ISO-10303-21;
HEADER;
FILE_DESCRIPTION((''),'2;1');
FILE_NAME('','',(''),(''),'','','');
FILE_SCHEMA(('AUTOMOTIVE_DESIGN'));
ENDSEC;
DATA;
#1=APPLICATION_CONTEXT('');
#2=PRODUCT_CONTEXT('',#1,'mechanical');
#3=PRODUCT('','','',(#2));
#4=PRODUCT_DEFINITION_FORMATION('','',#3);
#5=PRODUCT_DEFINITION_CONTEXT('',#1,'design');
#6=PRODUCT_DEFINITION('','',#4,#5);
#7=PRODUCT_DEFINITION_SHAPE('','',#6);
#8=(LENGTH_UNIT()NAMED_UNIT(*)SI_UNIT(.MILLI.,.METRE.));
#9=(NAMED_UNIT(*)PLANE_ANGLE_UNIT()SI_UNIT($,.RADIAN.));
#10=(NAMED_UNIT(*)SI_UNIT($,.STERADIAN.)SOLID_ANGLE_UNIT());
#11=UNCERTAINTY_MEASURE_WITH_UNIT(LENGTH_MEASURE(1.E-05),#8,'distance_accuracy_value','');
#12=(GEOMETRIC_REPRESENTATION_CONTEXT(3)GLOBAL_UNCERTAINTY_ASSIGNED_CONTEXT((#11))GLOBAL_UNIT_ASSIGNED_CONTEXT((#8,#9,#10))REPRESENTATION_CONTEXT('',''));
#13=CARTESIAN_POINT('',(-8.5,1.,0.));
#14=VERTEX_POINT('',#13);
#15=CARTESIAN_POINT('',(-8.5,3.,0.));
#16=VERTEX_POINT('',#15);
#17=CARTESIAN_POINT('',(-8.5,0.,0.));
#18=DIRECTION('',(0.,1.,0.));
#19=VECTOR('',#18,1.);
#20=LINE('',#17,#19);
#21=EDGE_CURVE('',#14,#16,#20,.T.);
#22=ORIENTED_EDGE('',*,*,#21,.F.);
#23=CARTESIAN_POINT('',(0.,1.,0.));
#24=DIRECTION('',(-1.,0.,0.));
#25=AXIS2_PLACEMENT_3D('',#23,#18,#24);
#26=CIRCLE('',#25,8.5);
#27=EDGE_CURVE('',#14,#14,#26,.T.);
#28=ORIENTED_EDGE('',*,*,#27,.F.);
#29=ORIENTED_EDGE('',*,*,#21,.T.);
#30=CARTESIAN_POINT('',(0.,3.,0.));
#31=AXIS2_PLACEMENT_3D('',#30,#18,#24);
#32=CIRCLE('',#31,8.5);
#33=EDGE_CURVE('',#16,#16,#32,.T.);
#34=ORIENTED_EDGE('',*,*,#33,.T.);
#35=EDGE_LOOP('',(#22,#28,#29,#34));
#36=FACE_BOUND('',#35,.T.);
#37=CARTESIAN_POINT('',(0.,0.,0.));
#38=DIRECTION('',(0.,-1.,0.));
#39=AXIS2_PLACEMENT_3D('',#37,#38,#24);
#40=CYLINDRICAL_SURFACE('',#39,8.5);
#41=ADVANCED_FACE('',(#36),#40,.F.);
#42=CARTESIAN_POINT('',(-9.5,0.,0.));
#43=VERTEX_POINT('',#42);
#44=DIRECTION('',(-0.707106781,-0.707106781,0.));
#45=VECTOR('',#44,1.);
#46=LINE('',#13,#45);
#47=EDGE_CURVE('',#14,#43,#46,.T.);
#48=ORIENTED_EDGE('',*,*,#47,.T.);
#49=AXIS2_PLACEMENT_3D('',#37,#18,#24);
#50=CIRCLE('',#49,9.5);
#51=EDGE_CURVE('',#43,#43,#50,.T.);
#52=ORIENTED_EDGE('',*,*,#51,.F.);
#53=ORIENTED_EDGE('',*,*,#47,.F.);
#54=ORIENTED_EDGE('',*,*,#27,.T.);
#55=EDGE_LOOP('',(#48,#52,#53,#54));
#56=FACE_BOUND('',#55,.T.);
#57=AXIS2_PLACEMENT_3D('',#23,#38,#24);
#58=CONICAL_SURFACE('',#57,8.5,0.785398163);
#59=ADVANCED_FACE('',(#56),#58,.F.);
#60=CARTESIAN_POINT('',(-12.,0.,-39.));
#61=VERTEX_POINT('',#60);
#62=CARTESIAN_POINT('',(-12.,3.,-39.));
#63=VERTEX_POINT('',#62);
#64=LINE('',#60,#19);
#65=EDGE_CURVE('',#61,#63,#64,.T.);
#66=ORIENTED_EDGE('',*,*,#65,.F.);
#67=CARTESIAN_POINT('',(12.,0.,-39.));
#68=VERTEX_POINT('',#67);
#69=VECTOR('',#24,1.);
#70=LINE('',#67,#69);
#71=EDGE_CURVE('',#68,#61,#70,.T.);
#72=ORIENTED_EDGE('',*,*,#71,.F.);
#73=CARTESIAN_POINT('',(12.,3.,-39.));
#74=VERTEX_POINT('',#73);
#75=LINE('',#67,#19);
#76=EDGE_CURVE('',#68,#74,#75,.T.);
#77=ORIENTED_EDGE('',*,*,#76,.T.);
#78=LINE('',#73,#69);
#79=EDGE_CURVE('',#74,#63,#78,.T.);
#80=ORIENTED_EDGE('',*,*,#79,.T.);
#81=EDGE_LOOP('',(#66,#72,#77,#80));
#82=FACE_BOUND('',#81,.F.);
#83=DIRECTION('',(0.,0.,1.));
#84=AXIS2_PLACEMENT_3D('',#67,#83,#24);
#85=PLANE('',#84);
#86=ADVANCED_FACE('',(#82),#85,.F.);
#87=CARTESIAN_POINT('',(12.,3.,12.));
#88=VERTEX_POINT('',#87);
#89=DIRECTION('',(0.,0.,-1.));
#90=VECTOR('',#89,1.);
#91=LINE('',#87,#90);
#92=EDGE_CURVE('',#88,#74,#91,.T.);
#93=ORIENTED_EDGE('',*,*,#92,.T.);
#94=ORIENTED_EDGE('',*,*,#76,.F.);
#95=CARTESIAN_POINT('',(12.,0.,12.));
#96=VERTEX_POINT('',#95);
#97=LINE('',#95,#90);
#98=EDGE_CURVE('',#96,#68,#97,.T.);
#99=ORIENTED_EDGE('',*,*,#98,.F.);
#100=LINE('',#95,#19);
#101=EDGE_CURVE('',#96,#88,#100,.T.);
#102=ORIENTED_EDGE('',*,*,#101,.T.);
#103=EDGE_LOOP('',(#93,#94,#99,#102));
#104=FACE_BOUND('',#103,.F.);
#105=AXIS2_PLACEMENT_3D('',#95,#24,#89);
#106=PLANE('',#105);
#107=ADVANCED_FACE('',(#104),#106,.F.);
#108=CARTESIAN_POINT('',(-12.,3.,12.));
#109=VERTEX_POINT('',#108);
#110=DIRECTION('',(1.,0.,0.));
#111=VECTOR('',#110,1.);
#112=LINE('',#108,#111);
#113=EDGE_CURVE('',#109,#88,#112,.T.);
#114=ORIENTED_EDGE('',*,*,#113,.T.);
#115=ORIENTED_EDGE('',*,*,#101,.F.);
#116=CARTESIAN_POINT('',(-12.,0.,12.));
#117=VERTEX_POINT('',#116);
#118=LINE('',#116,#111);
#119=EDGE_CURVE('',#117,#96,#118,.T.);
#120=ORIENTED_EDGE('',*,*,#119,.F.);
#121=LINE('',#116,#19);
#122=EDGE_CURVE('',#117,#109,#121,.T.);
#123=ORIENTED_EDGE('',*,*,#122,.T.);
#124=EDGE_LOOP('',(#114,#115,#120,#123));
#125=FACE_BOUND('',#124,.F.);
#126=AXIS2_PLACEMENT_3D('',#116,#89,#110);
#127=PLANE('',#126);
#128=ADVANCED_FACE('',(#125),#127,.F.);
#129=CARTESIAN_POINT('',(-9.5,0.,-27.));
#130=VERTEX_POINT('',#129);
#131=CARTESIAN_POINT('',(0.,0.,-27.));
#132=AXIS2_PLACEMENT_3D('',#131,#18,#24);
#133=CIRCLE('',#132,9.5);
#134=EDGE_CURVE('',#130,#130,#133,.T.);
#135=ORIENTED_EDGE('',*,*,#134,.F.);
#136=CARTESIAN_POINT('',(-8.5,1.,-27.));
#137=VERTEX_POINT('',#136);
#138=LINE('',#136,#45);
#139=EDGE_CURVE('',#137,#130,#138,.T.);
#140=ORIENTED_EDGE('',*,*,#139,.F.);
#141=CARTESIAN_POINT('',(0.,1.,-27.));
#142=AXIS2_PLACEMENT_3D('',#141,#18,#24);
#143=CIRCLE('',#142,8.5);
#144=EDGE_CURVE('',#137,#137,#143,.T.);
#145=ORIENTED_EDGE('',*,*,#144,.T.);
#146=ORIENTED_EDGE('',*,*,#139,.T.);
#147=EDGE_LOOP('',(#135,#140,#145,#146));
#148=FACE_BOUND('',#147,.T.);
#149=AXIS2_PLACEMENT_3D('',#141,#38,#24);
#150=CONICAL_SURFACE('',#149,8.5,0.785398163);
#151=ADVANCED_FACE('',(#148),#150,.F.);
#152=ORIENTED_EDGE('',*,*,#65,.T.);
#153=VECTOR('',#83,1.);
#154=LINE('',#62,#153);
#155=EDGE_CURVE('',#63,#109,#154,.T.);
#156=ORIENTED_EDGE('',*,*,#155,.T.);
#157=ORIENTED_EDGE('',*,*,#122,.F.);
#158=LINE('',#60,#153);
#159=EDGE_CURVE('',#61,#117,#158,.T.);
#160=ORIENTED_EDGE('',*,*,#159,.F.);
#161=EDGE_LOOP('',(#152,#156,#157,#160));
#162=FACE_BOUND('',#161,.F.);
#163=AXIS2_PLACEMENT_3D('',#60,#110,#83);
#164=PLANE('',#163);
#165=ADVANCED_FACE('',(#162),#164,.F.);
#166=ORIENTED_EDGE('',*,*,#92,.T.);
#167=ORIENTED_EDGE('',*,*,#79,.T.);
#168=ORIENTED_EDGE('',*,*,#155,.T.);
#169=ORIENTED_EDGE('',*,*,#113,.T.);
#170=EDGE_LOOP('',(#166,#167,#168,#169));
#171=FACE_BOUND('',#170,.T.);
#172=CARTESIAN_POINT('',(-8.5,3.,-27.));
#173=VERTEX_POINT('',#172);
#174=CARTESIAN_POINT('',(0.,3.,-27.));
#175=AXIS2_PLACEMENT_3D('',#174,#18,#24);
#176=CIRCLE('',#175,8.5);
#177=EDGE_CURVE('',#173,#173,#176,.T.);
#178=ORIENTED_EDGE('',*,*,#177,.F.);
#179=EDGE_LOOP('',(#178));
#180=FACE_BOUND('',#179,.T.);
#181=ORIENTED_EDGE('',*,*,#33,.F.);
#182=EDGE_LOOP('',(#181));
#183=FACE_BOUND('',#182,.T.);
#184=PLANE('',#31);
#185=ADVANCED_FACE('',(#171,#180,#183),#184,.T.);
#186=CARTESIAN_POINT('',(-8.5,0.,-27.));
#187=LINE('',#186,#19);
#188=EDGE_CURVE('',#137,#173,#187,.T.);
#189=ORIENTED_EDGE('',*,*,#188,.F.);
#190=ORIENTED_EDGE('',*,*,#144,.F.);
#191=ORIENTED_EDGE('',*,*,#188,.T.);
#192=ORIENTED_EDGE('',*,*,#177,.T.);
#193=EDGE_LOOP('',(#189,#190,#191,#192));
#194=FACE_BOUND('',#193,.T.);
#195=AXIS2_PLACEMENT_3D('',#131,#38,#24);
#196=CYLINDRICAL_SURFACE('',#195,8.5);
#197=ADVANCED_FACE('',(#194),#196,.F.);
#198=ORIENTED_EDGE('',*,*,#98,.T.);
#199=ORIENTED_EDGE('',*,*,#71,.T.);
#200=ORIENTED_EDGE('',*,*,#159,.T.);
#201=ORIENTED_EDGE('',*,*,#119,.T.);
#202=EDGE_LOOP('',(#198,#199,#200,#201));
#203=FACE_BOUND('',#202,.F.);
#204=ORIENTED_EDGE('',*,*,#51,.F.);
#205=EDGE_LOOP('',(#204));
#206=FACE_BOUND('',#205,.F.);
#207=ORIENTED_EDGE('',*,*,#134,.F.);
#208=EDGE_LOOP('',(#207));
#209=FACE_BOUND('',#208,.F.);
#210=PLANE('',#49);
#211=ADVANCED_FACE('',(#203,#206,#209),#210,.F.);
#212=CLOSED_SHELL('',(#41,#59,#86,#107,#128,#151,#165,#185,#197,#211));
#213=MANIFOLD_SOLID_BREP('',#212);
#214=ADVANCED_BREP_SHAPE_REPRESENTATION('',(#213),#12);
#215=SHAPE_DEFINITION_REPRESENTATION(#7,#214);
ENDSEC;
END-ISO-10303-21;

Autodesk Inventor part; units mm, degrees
ref_plane "YZ Plane" through (0, 0, 0) normal (1, 0, 0) x (0, 1, 0)
ref_plane "XZ Plane" through (0, 0, 0) normal (0, 1, 0) x (-1, 0, 0)
ref_plane "XY Plane" through (0, 0, 0) normal (0, 0, 1) x (1, 0, 0)
sketch "Sketch1" plane through (0, 0, 0) normal (0, 1, 0) x (-1, 0, 0)
  circle A0 centre (0, 0) radius 8.5
  circle A1 centre (0, -27) radius 8.5
  line L0 (12, 12) -> (-12, 12)
  line L1 (-12, 12) -> (-12, -39)
  line L2 (-12, -39) -> (12, -39)
  line L3 (12, -39) -> (12, 12)
  point P0 (0, -39)
  dimension "d0" = 17
  dimension "d1" = 17
  dimension "d2" = 27
  dimension "d3" = 12
  dimension "d4" = 12
  dimension "d5" = 12
  dimension "d6" = 12
extrude "Extrusion1" add sketch "Sketch1" along normal blind 3
chamfer "Chamfer1" distance 1 angle 45 2 edges at (8.5, 0, 0) (8.5, 0, -27)
properties part number "UltrasonicMountTest01"
